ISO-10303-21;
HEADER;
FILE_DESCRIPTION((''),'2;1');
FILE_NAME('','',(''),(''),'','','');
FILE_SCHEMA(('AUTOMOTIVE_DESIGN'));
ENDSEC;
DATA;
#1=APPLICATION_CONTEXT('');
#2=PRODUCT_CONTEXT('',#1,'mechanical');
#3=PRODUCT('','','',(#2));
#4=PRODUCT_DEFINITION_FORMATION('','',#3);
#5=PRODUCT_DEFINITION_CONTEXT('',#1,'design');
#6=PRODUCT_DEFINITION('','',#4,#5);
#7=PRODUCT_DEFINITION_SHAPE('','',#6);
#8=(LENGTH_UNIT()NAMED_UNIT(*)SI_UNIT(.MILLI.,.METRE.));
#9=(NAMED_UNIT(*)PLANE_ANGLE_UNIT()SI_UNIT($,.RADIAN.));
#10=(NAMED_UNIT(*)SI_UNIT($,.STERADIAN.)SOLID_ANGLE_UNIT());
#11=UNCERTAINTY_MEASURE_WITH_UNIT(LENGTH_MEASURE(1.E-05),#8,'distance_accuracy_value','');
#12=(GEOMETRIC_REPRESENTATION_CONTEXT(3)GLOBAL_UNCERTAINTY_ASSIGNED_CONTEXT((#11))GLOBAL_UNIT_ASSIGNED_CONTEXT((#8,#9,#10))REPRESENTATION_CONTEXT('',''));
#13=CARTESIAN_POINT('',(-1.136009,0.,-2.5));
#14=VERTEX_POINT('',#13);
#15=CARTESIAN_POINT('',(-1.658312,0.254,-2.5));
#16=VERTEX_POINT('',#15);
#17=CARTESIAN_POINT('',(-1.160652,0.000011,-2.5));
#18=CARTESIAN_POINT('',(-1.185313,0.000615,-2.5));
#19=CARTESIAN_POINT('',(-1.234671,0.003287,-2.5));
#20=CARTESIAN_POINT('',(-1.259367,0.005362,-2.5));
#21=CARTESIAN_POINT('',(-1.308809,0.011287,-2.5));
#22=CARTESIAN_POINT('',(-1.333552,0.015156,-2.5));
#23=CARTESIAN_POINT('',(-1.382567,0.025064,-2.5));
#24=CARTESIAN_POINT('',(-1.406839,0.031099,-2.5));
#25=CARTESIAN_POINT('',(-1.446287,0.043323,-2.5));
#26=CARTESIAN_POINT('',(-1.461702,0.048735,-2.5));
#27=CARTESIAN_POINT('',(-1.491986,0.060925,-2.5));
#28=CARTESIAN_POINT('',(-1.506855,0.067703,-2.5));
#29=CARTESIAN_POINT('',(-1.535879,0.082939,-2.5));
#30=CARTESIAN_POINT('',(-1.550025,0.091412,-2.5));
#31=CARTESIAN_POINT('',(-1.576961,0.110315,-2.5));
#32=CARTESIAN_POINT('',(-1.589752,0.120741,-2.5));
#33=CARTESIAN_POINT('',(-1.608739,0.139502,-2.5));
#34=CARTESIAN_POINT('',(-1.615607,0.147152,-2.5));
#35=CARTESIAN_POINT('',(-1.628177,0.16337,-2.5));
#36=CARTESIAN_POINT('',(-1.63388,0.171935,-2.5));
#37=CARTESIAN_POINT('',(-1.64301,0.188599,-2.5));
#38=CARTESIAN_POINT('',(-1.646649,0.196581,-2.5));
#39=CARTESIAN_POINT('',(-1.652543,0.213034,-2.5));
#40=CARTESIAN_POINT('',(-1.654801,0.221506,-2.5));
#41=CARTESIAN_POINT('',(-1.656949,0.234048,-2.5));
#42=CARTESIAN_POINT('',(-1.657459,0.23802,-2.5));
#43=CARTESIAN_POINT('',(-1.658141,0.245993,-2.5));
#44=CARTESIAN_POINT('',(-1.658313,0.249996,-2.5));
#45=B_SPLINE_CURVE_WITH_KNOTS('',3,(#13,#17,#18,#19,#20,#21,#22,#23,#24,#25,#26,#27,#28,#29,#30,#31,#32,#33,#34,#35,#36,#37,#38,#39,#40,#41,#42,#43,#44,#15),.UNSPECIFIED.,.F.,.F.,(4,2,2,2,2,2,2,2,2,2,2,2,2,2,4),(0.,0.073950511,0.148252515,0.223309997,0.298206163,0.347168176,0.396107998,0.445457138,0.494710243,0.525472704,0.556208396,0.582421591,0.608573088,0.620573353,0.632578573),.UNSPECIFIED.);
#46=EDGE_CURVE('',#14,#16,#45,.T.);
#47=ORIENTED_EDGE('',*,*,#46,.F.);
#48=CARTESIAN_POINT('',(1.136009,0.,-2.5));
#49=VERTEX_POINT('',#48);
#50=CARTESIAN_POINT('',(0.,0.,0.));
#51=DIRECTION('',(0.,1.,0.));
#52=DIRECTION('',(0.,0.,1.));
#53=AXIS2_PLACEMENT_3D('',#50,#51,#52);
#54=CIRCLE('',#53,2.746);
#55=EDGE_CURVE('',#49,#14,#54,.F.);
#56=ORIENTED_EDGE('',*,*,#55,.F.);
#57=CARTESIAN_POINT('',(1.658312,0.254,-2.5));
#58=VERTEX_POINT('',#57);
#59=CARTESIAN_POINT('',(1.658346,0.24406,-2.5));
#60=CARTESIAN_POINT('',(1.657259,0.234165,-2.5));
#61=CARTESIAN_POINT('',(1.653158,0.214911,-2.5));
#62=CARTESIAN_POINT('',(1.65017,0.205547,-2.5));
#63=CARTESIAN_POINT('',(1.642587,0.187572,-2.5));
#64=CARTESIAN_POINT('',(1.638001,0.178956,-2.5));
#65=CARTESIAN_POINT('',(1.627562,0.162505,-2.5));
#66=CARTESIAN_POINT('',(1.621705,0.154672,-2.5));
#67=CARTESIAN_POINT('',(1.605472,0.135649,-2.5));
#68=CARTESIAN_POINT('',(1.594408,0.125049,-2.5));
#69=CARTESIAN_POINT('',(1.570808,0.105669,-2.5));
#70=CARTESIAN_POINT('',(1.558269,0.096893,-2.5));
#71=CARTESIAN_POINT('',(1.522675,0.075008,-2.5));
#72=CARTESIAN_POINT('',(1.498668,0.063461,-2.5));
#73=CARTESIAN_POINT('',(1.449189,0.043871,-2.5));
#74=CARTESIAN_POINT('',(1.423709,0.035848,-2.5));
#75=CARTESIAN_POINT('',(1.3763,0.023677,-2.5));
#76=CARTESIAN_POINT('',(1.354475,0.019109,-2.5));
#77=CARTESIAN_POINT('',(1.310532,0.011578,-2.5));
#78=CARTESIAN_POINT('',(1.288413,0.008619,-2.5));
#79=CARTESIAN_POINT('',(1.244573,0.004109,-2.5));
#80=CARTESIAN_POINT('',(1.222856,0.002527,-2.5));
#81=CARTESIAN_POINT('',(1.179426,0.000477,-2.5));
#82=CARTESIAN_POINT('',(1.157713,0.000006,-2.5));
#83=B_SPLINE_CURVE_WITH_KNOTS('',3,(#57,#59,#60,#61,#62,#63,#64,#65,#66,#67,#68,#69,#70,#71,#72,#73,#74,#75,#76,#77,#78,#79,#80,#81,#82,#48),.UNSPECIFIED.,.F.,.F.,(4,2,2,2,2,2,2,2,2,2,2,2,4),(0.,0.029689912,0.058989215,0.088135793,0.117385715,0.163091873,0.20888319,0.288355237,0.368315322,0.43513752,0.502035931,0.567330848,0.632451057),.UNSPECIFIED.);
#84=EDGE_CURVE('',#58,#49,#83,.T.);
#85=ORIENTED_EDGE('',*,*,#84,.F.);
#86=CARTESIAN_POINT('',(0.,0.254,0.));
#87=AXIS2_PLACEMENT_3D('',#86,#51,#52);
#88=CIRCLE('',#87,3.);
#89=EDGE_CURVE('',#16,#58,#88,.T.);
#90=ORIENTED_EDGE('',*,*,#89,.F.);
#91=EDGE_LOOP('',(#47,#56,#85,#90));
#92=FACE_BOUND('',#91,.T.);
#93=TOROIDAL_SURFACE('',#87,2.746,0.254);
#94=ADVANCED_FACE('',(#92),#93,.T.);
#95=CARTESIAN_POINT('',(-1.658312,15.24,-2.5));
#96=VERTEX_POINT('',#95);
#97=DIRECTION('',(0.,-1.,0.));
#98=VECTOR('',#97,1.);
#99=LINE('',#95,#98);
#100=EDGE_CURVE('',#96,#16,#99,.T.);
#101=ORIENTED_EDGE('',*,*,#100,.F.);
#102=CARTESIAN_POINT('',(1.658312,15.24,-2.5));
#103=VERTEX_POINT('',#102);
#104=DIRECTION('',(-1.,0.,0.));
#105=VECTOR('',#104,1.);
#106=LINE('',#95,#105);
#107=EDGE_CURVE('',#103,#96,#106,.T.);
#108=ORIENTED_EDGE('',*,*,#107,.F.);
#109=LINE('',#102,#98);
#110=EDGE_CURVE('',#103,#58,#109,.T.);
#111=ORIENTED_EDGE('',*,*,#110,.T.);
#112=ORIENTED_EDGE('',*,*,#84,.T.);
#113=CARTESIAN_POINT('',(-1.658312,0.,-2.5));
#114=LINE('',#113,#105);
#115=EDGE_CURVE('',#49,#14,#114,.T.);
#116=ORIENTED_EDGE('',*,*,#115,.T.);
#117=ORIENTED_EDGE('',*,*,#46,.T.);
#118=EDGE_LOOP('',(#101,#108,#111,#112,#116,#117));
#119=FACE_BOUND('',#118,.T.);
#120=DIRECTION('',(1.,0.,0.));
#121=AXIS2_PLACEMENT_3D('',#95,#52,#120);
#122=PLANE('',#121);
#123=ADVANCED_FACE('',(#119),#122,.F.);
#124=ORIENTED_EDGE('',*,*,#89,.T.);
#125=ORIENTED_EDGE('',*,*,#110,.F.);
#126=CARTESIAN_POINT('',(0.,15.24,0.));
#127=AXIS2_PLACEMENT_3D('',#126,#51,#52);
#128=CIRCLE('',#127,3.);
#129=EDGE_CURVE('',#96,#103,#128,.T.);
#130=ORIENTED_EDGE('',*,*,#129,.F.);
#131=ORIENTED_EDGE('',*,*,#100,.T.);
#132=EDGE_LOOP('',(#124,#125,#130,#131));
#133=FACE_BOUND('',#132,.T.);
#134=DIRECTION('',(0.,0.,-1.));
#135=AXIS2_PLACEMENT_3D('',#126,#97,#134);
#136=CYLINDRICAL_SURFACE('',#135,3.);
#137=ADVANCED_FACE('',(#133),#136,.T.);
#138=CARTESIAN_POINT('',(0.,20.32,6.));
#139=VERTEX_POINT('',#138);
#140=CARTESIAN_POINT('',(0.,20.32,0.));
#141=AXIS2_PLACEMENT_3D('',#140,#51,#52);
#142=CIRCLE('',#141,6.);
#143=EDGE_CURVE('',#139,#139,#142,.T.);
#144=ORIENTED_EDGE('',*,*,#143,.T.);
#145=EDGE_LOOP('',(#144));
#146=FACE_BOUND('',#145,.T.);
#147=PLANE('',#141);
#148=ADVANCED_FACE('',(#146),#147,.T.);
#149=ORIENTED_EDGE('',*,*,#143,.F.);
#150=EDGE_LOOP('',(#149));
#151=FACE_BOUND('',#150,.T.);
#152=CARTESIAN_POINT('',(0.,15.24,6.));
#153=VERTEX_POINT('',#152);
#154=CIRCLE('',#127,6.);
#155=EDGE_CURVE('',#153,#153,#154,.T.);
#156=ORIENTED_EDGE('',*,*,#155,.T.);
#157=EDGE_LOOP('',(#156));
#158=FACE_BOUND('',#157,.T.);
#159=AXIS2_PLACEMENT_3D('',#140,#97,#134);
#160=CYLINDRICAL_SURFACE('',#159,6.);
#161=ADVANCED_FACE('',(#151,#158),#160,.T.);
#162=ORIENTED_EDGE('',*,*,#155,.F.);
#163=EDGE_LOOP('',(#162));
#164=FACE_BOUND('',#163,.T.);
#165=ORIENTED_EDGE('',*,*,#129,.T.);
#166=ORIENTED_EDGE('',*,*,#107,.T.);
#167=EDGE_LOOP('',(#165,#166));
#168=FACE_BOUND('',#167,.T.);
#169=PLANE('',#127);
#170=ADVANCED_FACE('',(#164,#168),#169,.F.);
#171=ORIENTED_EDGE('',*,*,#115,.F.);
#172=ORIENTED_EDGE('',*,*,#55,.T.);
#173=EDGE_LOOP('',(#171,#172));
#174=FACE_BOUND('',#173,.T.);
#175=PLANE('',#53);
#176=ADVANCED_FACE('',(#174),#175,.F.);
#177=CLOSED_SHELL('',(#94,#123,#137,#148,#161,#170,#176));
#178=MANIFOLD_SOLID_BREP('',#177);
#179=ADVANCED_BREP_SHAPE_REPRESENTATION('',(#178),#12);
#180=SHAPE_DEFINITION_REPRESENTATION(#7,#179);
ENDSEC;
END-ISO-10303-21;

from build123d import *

# Parameters (mm, degrees)
BOSS_EXTRUDE1_DEPTH = 15.24
SKETCH2_R           = 6
BOSS_EXTRUDE2_DEPTH = 5.08
FILLET1_R           = 0.254


with BuildPart() as part:
    # Sketch1 → Boss-Extrude1 (new body)
    with BuildSketch(Plane(origin=(0, 0, 0), x_dir=(1, 0, 0), z_dir=(0, 1, 0))):
        with BuildLine():
            Line((-1.658312395, 2.5), (1.658312395, 2.5))
            ThreePointArc((1.658312395, 2.5), (0, -3), (-1.658312395, 2.5))
        make_face()
    extrude(amount=BOSS_EXTRUDE1_DEPTH)

    # Sketch2 → Boss-Extrude2 (add)
    with BuildSketch(Plane(origin=(0, 15.24, 0), x_dir=(1, 0, 0), z_dir=(0, 1, 0))):
        Circle(SKETCH2_R)
    extrude(amount=BOSS_EXTRUDE2_DEPTH)

    # Fillet1
    fillet1_edges = [part.edges().sort_by_distance(p)[0] for p in [
        (0, 0, 3),
    ]]
    fillet(fillet1_edges, radius=FILLET1_R)


solid = part.part
